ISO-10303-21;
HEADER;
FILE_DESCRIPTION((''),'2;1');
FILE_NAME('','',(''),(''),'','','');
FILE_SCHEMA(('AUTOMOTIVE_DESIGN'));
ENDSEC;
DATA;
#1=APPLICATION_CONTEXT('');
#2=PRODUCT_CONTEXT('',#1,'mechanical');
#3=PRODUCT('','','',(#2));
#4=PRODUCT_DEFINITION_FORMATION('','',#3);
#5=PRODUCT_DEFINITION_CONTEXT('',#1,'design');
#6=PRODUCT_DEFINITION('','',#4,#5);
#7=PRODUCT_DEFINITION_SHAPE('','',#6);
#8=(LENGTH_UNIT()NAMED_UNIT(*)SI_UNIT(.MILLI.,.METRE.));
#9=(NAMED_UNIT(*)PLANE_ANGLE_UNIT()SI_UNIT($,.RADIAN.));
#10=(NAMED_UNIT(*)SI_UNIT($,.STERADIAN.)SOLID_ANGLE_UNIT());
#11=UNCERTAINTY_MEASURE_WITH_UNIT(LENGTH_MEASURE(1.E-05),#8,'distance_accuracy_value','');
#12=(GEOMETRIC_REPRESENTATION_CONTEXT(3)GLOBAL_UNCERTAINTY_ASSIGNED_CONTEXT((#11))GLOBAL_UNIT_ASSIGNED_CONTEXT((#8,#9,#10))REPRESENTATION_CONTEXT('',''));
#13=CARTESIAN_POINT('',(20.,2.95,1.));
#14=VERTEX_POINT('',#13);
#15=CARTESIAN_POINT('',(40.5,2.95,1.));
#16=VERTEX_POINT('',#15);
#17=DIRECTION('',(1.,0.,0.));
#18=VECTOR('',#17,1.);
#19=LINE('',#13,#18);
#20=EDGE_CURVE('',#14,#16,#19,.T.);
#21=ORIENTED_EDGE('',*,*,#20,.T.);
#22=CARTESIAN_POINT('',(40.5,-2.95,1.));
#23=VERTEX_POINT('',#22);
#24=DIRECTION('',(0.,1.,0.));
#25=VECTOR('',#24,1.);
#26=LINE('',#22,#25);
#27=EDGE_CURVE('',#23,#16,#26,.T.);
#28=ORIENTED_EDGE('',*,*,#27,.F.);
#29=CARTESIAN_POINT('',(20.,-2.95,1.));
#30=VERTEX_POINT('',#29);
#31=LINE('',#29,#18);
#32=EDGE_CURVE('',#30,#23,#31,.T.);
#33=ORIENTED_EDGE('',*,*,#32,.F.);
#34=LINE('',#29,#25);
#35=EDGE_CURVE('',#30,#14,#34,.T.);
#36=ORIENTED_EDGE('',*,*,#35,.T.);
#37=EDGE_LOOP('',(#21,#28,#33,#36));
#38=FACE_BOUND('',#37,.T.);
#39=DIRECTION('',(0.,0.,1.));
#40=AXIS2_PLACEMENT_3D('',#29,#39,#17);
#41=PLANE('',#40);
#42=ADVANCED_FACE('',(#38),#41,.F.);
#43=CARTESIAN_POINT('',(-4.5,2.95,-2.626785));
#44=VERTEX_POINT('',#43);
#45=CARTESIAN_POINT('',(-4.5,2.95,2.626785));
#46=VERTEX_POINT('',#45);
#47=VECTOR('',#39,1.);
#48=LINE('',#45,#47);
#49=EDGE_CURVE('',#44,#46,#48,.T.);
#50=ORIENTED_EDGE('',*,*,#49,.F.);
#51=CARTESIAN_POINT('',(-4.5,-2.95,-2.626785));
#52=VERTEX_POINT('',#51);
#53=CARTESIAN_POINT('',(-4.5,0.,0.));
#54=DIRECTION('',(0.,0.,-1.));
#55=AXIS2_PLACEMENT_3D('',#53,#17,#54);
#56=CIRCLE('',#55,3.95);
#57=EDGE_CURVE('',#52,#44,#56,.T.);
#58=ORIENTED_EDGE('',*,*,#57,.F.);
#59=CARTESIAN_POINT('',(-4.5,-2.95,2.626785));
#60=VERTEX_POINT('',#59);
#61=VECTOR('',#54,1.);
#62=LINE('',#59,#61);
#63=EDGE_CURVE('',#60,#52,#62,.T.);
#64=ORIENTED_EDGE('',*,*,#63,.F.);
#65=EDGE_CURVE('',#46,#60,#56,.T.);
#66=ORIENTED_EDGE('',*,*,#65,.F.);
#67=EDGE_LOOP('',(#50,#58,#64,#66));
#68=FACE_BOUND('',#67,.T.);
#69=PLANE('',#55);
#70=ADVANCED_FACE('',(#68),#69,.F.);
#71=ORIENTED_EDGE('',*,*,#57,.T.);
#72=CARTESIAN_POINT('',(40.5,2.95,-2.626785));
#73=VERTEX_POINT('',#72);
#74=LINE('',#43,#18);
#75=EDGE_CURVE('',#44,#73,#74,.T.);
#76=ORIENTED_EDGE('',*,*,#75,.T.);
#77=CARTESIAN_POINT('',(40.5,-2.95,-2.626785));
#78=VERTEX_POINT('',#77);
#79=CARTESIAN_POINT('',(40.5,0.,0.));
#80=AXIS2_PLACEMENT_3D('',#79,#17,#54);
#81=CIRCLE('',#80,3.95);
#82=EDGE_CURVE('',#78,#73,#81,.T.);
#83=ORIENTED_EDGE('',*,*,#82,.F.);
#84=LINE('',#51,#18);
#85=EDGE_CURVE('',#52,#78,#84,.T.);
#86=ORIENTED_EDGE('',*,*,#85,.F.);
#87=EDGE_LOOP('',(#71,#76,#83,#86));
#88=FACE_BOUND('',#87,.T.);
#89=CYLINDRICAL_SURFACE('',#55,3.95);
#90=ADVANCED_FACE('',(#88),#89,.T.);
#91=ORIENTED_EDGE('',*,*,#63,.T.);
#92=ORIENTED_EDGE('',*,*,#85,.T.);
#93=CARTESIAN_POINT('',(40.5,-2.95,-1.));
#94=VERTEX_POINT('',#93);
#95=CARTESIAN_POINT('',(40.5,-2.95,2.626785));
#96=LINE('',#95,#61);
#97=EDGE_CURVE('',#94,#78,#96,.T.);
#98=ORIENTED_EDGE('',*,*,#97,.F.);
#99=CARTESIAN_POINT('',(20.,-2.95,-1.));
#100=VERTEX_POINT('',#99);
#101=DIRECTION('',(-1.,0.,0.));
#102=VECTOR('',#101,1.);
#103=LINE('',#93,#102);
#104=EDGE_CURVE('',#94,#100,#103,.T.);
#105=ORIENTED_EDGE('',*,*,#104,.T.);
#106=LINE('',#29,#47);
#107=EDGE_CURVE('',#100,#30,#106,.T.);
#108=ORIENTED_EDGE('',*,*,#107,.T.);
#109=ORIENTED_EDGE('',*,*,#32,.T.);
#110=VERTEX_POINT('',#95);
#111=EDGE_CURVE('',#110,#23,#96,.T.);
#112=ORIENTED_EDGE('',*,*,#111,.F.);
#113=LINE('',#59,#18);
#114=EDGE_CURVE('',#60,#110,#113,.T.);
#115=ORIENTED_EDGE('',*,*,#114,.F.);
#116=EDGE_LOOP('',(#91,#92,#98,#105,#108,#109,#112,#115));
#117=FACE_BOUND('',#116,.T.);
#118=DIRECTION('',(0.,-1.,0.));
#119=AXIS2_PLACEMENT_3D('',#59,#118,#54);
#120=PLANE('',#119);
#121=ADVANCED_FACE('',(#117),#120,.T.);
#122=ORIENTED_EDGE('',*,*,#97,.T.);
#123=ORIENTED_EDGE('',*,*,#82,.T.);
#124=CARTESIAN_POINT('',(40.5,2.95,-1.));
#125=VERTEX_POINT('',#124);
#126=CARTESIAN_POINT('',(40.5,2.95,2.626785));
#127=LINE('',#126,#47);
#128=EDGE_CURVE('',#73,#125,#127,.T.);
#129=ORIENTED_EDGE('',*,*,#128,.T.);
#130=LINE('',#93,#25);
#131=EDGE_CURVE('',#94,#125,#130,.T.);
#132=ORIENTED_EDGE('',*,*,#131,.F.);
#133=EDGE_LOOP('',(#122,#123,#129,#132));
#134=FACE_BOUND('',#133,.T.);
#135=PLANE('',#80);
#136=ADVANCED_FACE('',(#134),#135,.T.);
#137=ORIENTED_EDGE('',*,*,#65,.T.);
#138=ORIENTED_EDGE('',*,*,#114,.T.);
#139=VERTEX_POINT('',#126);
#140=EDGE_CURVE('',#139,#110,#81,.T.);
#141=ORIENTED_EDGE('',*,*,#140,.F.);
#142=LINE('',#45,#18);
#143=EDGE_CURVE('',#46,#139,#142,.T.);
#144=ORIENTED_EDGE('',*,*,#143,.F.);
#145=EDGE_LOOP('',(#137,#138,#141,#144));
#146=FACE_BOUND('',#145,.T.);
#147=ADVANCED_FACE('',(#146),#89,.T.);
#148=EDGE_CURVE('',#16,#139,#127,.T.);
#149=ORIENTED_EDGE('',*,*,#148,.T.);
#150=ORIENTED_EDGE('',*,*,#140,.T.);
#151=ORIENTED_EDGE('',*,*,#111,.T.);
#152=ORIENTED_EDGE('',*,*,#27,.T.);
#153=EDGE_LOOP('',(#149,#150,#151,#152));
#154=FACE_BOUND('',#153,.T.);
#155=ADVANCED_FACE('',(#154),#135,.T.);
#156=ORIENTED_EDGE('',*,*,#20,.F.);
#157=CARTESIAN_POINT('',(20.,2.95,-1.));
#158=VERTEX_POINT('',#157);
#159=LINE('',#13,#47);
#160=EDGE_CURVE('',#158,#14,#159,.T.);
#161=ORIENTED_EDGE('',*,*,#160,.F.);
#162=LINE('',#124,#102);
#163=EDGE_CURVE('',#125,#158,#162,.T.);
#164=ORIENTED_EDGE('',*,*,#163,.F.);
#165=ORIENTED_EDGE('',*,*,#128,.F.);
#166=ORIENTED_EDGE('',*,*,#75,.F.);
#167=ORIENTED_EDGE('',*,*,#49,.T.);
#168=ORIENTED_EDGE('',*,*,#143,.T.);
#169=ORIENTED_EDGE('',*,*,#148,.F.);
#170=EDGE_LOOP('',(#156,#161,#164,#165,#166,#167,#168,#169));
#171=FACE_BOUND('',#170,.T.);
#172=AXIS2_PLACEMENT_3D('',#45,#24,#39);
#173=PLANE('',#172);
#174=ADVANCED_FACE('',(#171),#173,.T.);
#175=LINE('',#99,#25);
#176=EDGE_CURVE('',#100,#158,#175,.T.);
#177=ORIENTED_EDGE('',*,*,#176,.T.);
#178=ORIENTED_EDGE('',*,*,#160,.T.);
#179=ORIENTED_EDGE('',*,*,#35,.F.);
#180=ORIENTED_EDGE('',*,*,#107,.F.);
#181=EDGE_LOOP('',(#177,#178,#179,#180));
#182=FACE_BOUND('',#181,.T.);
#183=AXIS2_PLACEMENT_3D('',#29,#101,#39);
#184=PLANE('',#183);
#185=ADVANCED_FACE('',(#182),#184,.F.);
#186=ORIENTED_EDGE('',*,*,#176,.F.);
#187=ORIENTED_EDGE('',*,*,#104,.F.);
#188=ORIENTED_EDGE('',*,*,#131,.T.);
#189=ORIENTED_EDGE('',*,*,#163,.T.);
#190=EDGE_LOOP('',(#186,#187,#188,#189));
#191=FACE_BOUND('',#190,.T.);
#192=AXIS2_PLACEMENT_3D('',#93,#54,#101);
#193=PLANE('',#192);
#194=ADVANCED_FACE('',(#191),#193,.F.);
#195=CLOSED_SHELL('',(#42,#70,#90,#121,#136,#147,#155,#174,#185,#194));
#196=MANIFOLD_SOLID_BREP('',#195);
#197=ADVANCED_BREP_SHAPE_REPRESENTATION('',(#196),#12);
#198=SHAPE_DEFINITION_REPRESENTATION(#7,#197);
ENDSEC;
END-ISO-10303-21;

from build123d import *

# Parameters (mm, degrees)
BOSS_EXTRUDE1_DEPTH      = 40.5
BOSS_EXTRUDE1_DEPTH_BACK = 4.5
CUT_EXTRUDE2_DEPTH       = 42.117666519


with BuildPart() as part:
    # Sketch1 → Boss-Extrude1 (new, two sides: drawn at the far end of the back side and taken through both)
    with BuildSketch(Plane(origin=(0, 0, 0), x_dir=(0, 0, -1), z_dir=(1, 0, 0)).offset(-BOSS_EXTRUDE1_DEPTH_BACK)):
        with BuildLine():
            Line((-2.626785107, 2.95), (2.626785107, 2.95))
            ThreePointArc((2.626785107, 2.95), (3.95, 0), (2.626785107, -2.95))
            Line((2.626785107, -2.95), (-2.626785107, -2.95))
            ThreePointArc((-2.626785107, -2.95), (-3.95, 0), (-2.626785107, 2.95))
        make_face()
    extrude(amount=BOSS_EXTRUDE1_DEPTH + BOSS_EXTRUDE1_DEPTH_BACK)

    # Sketch5 → Cut-Extrude2 (cut, through all)
    with BuildSketch(Plane(origin=(0, 2.95, 0), x_dir=(1, 0, 0), z_dir=(0, 1, 0))):
        Polygon((40.5, 0), (40.5, 1), (20, 1), (20, -1), (40.5, -1), align=None)
    extrude(amount=-CUT_EXTRUDE2_DEPTH, mode=Mode.SUBTRACT)


solid = part.part
